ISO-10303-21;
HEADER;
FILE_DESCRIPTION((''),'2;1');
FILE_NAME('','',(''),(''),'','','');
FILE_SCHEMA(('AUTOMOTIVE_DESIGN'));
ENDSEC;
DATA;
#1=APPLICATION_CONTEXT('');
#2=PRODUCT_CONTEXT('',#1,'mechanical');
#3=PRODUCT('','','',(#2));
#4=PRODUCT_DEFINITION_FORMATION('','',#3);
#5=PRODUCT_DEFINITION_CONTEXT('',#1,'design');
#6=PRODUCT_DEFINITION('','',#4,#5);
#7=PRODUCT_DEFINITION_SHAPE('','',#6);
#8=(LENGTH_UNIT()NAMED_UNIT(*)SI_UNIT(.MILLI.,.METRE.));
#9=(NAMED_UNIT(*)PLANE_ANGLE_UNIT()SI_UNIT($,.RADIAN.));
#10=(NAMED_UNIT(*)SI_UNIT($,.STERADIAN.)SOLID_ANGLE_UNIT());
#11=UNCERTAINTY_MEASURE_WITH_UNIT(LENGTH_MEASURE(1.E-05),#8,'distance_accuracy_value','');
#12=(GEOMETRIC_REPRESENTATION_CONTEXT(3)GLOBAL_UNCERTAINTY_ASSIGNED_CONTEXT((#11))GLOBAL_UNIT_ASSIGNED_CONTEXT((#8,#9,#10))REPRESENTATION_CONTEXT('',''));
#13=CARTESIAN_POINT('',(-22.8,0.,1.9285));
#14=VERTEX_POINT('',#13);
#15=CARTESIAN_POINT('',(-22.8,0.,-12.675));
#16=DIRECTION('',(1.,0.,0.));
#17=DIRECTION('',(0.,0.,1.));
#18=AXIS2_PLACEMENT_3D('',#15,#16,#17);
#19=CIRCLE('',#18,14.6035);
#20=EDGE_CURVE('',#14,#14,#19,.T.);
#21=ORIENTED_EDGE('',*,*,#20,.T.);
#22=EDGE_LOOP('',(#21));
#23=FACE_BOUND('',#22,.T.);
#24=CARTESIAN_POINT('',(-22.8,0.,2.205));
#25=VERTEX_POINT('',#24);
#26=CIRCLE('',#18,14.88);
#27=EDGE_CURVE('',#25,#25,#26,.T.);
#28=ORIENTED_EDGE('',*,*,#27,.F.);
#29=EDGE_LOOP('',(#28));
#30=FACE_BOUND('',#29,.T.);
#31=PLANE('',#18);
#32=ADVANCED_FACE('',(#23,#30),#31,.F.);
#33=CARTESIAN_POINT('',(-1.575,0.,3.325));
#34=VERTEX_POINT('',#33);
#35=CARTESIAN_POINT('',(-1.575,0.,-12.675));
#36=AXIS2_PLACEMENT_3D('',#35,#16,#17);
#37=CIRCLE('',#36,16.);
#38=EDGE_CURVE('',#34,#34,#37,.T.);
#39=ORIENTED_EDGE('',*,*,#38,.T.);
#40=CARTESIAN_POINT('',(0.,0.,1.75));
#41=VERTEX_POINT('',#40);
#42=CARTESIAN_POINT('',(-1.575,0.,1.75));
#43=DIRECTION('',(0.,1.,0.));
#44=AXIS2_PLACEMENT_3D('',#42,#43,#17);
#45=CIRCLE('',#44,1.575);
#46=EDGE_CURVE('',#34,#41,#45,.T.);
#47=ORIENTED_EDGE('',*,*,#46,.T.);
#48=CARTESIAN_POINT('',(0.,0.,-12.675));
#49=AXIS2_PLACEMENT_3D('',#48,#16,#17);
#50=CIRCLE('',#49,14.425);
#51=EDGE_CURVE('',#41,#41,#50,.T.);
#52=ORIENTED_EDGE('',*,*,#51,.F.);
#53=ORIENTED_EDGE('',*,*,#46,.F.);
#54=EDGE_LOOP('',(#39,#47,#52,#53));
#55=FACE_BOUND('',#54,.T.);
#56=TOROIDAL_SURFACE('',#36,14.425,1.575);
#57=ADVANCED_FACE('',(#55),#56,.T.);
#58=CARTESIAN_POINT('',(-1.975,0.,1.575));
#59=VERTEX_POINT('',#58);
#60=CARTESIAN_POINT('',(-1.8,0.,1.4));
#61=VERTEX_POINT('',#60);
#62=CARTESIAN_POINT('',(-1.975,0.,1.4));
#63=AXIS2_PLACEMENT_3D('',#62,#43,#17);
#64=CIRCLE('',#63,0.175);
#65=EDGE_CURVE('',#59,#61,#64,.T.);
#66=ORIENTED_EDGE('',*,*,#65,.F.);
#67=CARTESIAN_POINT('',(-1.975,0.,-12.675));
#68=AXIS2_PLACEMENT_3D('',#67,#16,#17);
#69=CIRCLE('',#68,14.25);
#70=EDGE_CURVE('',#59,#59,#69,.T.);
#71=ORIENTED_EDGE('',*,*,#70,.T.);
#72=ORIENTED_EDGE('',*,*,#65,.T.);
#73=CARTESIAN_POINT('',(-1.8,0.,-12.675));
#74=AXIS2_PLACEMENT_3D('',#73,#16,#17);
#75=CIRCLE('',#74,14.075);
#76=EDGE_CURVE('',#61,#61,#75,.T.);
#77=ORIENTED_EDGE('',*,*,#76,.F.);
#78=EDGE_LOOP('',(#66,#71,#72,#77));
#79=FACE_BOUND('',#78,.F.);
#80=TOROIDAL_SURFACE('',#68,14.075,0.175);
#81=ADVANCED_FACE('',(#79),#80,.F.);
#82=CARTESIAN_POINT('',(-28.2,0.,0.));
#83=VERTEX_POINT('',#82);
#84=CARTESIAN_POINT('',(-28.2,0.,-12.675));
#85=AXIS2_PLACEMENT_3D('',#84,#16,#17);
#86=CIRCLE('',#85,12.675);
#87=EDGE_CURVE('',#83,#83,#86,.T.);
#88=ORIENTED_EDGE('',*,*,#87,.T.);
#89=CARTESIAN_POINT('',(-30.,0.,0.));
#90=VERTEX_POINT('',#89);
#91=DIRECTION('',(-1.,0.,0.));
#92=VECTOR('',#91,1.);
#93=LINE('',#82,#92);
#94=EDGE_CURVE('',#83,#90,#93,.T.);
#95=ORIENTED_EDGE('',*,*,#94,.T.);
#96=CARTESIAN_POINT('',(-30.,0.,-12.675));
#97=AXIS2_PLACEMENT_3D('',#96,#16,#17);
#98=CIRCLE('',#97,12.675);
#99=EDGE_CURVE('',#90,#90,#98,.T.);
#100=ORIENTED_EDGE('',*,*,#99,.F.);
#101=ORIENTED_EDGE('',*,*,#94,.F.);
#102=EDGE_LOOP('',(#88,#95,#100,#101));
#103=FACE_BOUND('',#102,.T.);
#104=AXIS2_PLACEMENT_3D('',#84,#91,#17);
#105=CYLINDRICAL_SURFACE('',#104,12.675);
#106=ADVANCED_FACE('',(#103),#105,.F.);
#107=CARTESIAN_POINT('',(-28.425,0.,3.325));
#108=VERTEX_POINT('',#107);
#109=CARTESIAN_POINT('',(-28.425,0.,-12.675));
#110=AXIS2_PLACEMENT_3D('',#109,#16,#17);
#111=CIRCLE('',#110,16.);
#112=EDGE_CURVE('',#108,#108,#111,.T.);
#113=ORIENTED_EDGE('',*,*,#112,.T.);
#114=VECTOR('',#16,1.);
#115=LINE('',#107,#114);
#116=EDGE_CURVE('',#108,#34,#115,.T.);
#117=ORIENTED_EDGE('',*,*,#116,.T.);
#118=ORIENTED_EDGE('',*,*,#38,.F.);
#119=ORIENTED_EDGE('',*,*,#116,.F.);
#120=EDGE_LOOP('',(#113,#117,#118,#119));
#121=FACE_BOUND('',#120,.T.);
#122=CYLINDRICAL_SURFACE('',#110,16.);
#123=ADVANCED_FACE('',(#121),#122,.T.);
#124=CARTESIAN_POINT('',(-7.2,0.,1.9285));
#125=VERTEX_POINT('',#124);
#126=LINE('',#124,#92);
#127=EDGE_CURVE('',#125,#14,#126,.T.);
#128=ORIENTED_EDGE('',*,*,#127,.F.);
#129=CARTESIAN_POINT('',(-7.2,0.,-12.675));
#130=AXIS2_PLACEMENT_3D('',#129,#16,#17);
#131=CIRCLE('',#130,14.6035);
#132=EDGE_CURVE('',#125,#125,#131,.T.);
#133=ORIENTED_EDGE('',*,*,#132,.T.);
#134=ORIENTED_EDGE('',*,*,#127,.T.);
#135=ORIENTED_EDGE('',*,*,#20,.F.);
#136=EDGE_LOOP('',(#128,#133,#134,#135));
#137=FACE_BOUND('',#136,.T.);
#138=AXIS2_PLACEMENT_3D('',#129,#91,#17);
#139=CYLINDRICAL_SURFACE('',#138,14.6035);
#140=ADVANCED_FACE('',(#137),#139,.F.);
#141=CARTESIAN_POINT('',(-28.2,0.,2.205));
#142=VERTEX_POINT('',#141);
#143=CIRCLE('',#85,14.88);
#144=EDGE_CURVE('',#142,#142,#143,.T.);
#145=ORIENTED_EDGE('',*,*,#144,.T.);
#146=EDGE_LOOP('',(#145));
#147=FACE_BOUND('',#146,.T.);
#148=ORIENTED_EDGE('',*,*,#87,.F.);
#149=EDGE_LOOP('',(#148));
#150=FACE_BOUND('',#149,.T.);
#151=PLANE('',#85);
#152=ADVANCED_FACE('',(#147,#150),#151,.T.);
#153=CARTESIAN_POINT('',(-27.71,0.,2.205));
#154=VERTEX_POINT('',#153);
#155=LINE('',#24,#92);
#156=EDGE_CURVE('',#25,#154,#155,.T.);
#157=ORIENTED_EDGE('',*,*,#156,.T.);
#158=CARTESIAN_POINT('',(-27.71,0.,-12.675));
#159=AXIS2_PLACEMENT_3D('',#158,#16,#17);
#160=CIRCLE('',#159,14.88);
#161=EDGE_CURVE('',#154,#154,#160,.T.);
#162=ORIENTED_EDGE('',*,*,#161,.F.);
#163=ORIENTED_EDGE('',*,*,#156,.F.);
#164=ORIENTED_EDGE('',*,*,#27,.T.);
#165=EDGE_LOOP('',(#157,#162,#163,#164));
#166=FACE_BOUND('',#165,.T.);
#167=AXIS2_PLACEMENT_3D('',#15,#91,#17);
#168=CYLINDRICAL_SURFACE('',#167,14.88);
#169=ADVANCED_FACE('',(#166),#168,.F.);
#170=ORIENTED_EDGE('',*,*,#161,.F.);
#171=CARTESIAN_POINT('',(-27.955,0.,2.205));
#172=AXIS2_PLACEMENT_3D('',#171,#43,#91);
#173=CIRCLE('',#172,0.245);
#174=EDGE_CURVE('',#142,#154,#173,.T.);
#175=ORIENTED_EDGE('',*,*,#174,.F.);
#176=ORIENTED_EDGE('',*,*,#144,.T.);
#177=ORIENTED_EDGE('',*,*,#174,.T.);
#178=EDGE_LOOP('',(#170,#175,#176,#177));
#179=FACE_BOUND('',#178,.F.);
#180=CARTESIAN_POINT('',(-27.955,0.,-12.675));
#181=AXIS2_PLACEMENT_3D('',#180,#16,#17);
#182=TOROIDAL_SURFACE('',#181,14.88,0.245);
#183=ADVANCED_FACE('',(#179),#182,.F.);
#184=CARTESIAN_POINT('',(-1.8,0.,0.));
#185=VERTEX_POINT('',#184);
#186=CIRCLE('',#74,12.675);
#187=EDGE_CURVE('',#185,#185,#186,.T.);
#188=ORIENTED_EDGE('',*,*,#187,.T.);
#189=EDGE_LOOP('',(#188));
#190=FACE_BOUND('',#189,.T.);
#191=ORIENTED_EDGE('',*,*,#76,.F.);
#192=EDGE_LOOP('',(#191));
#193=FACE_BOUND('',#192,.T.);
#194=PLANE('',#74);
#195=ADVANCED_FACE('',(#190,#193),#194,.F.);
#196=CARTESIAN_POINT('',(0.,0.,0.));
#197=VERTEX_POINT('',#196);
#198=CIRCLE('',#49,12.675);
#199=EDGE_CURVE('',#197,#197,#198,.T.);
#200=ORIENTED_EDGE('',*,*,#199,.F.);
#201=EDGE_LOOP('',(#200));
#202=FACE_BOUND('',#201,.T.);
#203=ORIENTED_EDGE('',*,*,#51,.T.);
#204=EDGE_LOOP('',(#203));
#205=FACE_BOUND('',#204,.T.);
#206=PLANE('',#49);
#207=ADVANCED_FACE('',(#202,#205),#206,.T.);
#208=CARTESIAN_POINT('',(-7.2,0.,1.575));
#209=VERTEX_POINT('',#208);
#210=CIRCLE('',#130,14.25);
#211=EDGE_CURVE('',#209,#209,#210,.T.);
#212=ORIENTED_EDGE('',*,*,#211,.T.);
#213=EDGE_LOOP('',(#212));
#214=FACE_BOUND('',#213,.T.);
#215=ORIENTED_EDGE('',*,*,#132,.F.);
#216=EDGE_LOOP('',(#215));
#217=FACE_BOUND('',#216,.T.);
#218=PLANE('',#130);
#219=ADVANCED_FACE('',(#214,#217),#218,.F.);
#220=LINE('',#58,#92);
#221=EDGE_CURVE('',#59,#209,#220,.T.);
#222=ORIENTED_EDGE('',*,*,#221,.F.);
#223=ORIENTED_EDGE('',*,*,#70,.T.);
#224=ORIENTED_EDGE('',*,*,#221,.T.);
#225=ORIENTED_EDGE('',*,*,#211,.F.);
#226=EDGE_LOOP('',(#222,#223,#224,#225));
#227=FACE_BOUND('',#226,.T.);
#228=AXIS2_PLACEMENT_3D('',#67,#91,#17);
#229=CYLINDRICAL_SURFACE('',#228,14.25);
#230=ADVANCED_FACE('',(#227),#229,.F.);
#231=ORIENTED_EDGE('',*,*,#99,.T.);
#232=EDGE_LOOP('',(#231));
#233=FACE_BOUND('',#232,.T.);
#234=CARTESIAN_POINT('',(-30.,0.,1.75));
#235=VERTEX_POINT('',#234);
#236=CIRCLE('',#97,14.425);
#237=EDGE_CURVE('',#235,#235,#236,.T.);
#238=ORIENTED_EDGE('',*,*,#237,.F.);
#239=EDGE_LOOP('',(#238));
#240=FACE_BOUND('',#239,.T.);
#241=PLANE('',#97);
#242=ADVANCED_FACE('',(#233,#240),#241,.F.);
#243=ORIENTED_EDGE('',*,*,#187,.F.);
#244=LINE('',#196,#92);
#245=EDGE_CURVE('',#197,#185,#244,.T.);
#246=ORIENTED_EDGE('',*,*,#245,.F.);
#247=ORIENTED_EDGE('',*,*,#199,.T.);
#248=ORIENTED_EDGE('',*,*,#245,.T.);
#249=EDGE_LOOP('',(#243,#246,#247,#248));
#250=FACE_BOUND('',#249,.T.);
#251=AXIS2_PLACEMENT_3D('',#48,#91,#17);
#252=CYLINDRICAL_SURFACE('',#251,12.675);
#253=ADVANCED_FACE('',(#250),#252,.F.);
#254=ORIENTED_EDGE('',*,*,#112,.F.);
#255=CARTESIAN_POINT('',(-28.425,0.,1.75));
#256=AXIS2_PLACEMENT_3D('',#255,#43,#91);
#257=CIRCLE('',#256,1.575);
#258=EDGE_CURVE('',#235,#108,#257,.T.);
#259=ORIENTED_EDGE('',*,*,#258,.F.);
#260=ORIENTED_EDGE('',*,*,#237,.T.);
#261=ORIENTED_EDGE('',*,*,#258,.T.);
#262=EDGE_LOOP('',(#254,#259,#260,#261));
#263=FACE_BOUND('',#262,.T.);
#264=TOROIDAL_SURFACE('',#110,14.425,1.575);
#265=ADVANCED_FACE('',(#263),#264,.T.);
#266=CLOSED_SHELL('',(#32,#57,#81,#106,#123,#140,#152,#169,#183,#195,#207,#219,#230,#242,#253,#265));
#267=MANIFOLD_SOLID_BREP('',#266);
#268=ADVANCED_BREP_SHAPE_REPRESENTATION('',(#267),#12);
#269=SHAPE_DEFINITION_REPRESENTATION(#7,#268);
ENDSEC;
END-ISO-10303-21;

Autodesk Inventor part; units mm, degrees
ref_plane "YZ Plane" through (0, 0, 0) normal (1, 0, 0) x (0, 1, 0)
ref_plane "XZ Plane" through (0, 0, 0) normal (0, 1, 0) x (-1, 0, 0)
ref_plane "XY Plane" through (0, 0, 0) normal (0, 0, 1) x (1, 0, 0)
sketch "Sketch1" plane through (0, 0, 0) normal (0, 1, 0) x (-1, 0, 0)
  line L0 (1.975, 1.575) -> (7.2, 1.575)
  line L1 (1.8, 0) -> (1.8, 1.4)
  line L2 (0, 0) -> (1.8, 0)
  line L3 (0, 1.75) -> (0, 0)
  line L4 (28.425, 3.325) -> (1.575, 3.325)
  line L5 (30, 0) -> (30, 1.75)
  line L6 (28.2, 0) -> (30, 0)
  line L7 (28.2, 2.205) -> (28.2, 0)
  line L8 (22.8, 2.205) -> (27.71, 2.205)
  line L9 (22.8, 1.9285) -> (22.8, 2.205)
  line L10 (7.2, 1.9285) -> (22.8, 1.9285)
  line L11 (7.2, 1.575) -> (7.2, 1.9285)
  arc A0 (1.975, 1.575) -> (1.8, 1.4) centre (1.975, 1.4) ccw
  arc A1 (1.575, 3.325) -> (0, 1.75) centre (1.575, 1.75) ccw
  arc A2 (30, 1.75) -> (28.425, 3.325) centre (28.425, 1.75) ccw
  arc A3 (28.2, 2.205) -> (27.71, 2.205) centre (27.955, 2.205) ccw
  line L12 (30, -12.675) -> (0.4613, -12.675) construction
  point P0 (30, 0.875)
  dimension "d0" = 0
  dimension "d1" = 1.8
  dimension "d2" = 1.75
  dimension "d3" = 3.325
  dimension "d4" = 1.575
  dimension "d5" = 1.4
  dimension "d6" = 0.175
  dimension "d7" = 30
  dimension "d8" = 26.85
  dimension "d9" = 1.75
  dimension "d10" = 1.8
  dimension "d11" = 0.245
  dimension "d12" = 4.91
  dimension "d13" = 15.6
  dimension "d14" = 5.225
  dimension "d15" = 0.3535
  dimension "d16" = 0.2765
  dimension "d17" = 2.205
  dimension "d18" = 1.575
  dimension "d19" = 12.675
revolve "Revolution1" add sketch "Sketch1" angle 360 about axis through (-30, 0, -12.675) along (1, 0, 0)
properties part number "HFL2530_OutRing"
